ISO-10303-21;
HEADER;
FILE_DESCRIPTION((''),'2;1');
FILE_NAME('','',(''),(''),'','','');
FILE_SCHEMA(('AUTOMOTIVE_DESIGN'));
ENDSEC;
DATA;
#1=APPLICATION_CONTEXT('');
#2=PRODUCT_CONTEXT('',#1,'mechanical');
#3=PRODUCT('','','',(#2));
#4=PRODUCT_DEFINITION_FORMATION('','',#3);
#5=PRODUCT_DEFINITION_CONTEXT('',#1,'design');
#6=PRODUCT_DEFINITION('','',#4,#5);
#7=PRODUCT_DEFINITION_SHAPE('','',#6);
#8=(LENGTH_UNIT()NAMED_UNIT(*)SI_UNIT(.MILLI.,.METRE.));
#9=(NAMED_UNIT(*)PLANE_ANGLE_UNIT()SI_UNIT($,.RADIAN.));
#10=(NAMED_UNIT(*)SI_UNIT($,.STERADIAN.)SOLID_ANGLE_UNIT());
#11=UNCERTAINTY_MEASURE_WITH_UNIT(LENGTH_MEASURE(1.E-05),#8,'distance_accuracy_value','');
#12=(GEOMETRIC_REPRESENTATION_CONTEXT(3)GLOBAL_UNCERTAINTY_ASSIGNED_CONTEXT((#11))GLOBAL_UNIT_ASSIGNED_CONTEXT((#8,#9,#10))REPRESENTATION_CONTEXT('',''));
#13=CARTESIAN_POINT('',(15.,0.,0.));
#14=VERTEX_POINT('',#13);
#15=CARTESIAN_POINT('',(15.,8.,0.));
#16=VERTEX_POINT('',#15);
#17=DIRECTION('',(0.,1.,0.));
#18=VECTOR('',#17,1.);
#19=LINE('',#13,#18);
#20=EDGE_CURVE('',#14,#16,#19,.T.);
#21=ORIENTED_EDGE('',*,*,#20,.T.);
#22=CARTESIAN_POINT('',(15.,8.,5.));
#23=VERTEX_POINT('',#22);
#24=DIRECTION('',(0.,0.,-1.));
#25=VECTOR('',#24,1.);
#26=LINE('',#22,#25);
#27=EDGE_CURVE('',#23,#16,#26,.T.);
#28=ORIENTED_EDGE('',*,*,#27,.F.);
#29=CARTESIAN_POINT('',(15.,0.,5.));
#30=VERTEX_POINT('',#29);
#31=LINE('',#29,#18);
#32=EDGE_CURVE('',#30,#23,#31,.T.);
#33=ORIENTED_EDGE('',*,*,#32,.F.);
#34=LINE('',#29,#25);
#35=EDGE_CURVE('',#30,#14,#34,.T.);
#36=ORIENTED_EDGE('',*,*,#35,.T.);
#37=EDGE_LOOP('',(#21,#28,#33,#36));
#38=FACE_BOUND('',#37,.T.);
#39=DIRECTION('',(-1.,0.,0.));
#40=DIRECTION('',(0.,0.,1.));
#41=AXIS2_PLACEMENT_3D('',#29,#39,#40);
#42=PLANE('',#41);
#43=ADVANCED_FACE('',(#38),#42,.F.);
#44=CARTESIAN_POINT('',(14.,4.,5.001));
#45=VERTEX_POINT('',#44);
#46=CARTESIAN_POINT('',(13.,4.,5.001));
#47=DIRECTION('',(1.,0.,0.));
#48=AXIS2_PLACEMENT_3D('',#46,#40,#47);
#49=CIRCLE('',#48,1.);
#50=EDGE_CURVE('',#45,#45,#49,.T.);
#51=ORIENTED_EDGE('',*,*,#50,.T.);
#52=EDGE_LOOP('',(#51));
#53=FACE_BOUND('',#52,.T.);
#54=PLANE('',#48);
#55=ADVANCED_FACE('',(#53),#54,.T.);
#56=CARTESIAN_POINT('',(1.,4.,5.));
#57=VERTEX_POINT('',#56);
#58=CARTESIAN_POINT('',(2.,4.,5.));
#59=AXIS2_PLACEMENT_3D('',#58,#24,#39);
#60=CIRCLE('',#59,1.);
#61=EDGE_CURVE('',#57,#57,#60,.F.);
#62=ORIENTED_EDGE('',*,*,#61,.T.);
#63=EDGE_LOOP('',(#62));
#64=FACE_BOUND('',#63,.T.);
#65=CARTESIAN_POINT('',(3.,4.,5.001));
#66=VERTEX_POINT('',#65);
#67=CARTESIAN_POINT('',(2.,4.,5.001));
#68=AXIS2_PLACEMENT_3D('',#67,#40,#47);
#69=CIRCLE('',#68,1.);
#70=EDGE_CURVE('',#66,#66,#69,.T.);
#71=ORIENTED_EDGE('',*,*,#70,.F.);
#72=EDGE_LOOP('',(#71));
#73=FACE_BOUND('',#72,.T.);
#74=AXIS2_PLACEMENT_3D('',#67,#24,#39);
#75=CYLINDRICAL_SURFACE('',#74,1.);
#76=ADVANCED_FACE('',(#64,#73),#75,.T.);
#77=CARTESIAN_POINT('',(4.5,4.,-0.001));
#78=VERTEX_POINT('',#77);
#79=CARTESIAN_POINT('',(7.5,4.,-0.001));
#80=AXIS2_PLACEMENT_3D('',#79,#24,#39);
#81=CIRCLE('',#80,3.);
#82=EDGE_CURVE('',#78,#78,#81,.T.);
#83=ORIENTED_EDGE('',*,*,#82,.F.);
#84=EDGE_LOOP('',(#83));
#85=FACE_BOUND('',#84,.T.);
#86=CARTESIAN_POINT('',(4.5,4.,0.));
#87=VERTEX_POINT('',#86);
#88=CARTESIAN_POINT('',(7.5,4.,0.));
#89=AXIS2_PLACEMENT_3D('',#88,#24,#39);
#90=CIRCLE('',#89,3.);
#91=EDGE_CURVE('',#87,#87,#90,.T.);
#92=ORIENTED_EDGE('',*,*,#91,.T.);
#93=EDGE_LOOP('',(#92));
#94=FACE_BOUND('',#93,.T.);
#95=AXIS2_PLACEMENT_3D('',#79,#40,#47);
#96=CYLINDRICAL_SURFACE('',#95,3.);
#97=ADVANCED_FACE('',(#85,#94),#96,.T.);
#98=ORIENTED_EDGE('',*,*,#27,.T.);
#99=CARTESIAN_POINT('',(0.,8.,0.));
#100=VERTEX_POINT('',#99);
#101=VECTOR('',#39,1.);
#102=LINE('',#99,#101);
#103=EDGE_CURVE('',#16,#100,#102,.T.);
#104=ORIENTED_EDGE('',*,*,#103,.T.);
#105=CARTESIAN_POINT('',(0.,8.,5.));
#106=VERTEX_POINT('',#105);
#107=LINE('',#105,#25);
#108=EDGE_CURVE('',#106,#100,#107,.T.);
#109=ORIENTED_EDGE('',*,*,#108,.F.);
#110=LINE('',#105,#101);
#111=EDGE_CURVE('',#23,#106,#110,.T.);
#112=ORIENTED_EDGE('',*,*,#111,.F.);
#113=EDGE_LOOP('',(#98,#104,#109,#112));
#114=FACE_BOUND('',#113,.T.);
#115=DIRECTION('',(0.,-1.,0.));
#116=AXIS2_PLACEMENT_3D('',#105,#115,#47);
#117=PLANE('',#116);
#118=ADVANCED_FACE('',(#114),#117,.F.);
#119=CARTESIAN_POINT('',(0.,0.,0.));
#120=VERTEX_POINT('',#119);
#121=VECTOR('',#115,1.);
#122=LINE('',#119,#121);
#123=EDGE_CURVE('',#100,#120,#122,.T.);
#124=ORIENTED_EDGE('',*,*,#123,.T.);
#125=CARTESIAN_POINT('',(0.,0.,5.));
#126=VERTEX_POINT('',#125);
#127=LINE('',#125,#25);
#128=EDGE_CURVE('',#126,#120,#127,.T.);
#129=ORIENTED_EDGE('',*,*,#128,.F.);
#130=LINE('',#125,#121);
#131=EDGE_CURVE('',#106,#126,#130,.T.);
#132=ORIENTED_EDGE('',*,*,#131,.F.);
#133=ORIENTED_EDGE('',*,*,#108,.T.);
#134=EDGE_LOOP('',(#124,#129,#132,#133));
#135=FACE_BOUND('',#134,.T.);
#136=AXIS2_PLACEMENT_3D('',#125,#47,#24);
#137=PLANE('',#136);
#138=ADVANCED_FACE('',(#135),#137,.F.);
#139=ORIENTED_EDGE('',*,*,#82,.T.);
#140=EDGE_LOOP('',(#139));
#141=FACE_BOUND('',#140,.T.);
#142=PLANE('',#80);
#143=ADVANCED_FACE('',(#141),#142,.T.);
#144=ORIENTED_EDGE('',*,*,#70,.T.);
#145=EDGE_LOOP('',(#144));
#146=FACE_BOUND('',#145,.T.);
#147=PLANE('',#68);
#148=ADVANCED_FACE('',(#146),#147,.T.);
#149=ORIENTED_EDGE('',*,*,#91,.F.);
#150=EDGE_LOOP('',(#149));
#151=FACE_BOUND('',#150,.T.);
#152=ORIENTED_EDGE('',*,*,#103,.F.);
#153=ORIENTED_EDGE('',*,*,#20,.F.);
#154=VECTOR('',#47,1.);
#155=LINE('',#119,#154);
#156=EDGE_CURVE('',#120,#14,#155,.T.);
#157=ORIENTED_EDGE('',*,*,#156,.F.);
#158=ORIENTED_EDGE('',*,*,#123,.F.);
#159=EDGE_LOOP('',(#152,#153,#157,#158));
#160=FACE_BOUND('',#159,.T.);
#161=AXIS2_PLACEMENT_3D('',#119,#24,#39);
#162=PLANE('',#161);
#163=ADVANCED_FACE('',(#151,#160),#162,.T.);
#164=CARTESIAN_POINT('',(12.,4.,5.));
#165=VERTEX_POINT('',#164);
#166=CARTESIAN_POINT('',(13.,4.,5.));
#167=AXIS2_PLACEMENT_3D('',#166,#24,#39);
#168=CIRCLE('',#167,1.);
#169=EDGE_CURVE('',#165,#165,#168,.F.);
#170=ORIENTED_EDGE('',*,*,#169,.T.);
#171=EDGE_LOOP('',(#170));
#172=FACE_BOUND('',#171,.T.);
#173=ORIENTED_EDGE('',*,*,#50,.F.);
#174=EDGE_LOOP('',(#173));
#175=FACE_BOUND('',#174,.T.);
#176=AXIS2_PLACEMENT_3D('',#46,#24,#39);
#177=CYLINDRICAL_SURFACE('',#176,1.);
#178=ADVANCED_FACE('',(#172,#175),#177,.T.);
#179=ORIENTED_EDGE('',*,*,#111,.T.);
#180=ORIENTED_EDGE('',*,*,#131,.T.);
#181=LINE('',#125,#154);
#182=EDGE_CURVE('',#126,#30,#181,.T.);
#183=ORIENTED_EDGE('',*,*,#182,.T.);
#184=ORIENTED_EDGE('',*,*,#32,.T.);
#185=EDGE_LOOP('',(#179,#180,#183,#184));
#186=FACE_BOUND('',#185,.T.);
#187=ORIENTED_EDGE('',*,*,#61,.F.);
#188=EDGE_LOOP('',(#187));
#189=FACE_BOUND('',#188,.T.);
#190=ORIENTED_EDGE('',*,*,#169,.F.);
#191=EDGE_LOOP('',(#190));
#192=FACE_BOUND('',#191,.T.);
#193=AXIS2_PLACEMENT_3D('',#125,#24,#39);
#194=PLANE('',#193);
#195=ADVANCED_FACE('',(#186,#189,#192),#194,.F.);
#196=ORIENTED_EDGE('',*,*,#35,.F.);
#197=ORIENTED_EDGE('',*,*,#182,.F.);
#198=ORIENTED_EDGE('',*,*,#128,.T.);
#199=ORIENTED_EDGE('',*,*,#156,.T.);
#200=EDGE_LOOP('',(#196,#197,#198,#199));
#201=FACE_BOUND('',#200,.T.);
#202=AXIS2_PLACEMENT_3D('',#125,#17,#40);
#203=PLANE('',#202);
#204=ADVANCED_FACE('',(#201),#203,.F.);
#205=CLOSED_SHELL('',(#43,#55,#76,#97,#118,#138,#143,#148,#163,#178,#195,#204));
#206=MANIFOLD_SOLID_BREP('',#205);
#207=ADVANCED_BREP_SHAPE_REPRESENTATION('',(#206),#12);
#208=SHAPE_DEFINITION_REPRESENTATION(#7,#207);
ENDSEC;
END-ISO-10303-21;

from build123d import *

# Parameters (mm, degrees)
SKETCH1_W           = 15
SKETCH1_H           = 8
BOSS_EXTRUDE1_DEPTH = 5
SKETCH2_R           = 3
BOSS_EXTRUDE2_DEPTH = 0.001
SKETCH3_R           = 1
BOSS_EXTRUDE3_DEPTH = 0.001


with BuildPart() as part:
    # Sketch1 → Boss-Extrude1 (new body)
    with BuildSketch(Plane.XY):
        with Locations((7.5, 4)):
            Rectangle(SKETCH1_W, SKETCH1_H)
    extrude(amount=BOSS_EXTRUDE1_DEPTH)

    # Sketch2 → Boss-Extrude2 (add)
    with BuildSketch(Plane(origin=(0, 0, 0), x_dir=(-1, 0, 0), z_dir=(0, 0, -1))):
        with Locations((-7.5, 4)):
            Circle(SKETCH2_R)
    extrude(amount=BOSS_EXTRUDE2_DEPTH)

    # Sketch3 → Boss-Extrude3 (add)
    with BuildSketch(Plane.XY.offset(5)):
        with Locations((13, 4)):
            Circle(SKETCH3_R)
        with Locations((2, 4)):
            Circle(SKETCH3_R)
    extrude(amount=BOSS_EXTRUDE3_DEPTH)


solid = part.part
